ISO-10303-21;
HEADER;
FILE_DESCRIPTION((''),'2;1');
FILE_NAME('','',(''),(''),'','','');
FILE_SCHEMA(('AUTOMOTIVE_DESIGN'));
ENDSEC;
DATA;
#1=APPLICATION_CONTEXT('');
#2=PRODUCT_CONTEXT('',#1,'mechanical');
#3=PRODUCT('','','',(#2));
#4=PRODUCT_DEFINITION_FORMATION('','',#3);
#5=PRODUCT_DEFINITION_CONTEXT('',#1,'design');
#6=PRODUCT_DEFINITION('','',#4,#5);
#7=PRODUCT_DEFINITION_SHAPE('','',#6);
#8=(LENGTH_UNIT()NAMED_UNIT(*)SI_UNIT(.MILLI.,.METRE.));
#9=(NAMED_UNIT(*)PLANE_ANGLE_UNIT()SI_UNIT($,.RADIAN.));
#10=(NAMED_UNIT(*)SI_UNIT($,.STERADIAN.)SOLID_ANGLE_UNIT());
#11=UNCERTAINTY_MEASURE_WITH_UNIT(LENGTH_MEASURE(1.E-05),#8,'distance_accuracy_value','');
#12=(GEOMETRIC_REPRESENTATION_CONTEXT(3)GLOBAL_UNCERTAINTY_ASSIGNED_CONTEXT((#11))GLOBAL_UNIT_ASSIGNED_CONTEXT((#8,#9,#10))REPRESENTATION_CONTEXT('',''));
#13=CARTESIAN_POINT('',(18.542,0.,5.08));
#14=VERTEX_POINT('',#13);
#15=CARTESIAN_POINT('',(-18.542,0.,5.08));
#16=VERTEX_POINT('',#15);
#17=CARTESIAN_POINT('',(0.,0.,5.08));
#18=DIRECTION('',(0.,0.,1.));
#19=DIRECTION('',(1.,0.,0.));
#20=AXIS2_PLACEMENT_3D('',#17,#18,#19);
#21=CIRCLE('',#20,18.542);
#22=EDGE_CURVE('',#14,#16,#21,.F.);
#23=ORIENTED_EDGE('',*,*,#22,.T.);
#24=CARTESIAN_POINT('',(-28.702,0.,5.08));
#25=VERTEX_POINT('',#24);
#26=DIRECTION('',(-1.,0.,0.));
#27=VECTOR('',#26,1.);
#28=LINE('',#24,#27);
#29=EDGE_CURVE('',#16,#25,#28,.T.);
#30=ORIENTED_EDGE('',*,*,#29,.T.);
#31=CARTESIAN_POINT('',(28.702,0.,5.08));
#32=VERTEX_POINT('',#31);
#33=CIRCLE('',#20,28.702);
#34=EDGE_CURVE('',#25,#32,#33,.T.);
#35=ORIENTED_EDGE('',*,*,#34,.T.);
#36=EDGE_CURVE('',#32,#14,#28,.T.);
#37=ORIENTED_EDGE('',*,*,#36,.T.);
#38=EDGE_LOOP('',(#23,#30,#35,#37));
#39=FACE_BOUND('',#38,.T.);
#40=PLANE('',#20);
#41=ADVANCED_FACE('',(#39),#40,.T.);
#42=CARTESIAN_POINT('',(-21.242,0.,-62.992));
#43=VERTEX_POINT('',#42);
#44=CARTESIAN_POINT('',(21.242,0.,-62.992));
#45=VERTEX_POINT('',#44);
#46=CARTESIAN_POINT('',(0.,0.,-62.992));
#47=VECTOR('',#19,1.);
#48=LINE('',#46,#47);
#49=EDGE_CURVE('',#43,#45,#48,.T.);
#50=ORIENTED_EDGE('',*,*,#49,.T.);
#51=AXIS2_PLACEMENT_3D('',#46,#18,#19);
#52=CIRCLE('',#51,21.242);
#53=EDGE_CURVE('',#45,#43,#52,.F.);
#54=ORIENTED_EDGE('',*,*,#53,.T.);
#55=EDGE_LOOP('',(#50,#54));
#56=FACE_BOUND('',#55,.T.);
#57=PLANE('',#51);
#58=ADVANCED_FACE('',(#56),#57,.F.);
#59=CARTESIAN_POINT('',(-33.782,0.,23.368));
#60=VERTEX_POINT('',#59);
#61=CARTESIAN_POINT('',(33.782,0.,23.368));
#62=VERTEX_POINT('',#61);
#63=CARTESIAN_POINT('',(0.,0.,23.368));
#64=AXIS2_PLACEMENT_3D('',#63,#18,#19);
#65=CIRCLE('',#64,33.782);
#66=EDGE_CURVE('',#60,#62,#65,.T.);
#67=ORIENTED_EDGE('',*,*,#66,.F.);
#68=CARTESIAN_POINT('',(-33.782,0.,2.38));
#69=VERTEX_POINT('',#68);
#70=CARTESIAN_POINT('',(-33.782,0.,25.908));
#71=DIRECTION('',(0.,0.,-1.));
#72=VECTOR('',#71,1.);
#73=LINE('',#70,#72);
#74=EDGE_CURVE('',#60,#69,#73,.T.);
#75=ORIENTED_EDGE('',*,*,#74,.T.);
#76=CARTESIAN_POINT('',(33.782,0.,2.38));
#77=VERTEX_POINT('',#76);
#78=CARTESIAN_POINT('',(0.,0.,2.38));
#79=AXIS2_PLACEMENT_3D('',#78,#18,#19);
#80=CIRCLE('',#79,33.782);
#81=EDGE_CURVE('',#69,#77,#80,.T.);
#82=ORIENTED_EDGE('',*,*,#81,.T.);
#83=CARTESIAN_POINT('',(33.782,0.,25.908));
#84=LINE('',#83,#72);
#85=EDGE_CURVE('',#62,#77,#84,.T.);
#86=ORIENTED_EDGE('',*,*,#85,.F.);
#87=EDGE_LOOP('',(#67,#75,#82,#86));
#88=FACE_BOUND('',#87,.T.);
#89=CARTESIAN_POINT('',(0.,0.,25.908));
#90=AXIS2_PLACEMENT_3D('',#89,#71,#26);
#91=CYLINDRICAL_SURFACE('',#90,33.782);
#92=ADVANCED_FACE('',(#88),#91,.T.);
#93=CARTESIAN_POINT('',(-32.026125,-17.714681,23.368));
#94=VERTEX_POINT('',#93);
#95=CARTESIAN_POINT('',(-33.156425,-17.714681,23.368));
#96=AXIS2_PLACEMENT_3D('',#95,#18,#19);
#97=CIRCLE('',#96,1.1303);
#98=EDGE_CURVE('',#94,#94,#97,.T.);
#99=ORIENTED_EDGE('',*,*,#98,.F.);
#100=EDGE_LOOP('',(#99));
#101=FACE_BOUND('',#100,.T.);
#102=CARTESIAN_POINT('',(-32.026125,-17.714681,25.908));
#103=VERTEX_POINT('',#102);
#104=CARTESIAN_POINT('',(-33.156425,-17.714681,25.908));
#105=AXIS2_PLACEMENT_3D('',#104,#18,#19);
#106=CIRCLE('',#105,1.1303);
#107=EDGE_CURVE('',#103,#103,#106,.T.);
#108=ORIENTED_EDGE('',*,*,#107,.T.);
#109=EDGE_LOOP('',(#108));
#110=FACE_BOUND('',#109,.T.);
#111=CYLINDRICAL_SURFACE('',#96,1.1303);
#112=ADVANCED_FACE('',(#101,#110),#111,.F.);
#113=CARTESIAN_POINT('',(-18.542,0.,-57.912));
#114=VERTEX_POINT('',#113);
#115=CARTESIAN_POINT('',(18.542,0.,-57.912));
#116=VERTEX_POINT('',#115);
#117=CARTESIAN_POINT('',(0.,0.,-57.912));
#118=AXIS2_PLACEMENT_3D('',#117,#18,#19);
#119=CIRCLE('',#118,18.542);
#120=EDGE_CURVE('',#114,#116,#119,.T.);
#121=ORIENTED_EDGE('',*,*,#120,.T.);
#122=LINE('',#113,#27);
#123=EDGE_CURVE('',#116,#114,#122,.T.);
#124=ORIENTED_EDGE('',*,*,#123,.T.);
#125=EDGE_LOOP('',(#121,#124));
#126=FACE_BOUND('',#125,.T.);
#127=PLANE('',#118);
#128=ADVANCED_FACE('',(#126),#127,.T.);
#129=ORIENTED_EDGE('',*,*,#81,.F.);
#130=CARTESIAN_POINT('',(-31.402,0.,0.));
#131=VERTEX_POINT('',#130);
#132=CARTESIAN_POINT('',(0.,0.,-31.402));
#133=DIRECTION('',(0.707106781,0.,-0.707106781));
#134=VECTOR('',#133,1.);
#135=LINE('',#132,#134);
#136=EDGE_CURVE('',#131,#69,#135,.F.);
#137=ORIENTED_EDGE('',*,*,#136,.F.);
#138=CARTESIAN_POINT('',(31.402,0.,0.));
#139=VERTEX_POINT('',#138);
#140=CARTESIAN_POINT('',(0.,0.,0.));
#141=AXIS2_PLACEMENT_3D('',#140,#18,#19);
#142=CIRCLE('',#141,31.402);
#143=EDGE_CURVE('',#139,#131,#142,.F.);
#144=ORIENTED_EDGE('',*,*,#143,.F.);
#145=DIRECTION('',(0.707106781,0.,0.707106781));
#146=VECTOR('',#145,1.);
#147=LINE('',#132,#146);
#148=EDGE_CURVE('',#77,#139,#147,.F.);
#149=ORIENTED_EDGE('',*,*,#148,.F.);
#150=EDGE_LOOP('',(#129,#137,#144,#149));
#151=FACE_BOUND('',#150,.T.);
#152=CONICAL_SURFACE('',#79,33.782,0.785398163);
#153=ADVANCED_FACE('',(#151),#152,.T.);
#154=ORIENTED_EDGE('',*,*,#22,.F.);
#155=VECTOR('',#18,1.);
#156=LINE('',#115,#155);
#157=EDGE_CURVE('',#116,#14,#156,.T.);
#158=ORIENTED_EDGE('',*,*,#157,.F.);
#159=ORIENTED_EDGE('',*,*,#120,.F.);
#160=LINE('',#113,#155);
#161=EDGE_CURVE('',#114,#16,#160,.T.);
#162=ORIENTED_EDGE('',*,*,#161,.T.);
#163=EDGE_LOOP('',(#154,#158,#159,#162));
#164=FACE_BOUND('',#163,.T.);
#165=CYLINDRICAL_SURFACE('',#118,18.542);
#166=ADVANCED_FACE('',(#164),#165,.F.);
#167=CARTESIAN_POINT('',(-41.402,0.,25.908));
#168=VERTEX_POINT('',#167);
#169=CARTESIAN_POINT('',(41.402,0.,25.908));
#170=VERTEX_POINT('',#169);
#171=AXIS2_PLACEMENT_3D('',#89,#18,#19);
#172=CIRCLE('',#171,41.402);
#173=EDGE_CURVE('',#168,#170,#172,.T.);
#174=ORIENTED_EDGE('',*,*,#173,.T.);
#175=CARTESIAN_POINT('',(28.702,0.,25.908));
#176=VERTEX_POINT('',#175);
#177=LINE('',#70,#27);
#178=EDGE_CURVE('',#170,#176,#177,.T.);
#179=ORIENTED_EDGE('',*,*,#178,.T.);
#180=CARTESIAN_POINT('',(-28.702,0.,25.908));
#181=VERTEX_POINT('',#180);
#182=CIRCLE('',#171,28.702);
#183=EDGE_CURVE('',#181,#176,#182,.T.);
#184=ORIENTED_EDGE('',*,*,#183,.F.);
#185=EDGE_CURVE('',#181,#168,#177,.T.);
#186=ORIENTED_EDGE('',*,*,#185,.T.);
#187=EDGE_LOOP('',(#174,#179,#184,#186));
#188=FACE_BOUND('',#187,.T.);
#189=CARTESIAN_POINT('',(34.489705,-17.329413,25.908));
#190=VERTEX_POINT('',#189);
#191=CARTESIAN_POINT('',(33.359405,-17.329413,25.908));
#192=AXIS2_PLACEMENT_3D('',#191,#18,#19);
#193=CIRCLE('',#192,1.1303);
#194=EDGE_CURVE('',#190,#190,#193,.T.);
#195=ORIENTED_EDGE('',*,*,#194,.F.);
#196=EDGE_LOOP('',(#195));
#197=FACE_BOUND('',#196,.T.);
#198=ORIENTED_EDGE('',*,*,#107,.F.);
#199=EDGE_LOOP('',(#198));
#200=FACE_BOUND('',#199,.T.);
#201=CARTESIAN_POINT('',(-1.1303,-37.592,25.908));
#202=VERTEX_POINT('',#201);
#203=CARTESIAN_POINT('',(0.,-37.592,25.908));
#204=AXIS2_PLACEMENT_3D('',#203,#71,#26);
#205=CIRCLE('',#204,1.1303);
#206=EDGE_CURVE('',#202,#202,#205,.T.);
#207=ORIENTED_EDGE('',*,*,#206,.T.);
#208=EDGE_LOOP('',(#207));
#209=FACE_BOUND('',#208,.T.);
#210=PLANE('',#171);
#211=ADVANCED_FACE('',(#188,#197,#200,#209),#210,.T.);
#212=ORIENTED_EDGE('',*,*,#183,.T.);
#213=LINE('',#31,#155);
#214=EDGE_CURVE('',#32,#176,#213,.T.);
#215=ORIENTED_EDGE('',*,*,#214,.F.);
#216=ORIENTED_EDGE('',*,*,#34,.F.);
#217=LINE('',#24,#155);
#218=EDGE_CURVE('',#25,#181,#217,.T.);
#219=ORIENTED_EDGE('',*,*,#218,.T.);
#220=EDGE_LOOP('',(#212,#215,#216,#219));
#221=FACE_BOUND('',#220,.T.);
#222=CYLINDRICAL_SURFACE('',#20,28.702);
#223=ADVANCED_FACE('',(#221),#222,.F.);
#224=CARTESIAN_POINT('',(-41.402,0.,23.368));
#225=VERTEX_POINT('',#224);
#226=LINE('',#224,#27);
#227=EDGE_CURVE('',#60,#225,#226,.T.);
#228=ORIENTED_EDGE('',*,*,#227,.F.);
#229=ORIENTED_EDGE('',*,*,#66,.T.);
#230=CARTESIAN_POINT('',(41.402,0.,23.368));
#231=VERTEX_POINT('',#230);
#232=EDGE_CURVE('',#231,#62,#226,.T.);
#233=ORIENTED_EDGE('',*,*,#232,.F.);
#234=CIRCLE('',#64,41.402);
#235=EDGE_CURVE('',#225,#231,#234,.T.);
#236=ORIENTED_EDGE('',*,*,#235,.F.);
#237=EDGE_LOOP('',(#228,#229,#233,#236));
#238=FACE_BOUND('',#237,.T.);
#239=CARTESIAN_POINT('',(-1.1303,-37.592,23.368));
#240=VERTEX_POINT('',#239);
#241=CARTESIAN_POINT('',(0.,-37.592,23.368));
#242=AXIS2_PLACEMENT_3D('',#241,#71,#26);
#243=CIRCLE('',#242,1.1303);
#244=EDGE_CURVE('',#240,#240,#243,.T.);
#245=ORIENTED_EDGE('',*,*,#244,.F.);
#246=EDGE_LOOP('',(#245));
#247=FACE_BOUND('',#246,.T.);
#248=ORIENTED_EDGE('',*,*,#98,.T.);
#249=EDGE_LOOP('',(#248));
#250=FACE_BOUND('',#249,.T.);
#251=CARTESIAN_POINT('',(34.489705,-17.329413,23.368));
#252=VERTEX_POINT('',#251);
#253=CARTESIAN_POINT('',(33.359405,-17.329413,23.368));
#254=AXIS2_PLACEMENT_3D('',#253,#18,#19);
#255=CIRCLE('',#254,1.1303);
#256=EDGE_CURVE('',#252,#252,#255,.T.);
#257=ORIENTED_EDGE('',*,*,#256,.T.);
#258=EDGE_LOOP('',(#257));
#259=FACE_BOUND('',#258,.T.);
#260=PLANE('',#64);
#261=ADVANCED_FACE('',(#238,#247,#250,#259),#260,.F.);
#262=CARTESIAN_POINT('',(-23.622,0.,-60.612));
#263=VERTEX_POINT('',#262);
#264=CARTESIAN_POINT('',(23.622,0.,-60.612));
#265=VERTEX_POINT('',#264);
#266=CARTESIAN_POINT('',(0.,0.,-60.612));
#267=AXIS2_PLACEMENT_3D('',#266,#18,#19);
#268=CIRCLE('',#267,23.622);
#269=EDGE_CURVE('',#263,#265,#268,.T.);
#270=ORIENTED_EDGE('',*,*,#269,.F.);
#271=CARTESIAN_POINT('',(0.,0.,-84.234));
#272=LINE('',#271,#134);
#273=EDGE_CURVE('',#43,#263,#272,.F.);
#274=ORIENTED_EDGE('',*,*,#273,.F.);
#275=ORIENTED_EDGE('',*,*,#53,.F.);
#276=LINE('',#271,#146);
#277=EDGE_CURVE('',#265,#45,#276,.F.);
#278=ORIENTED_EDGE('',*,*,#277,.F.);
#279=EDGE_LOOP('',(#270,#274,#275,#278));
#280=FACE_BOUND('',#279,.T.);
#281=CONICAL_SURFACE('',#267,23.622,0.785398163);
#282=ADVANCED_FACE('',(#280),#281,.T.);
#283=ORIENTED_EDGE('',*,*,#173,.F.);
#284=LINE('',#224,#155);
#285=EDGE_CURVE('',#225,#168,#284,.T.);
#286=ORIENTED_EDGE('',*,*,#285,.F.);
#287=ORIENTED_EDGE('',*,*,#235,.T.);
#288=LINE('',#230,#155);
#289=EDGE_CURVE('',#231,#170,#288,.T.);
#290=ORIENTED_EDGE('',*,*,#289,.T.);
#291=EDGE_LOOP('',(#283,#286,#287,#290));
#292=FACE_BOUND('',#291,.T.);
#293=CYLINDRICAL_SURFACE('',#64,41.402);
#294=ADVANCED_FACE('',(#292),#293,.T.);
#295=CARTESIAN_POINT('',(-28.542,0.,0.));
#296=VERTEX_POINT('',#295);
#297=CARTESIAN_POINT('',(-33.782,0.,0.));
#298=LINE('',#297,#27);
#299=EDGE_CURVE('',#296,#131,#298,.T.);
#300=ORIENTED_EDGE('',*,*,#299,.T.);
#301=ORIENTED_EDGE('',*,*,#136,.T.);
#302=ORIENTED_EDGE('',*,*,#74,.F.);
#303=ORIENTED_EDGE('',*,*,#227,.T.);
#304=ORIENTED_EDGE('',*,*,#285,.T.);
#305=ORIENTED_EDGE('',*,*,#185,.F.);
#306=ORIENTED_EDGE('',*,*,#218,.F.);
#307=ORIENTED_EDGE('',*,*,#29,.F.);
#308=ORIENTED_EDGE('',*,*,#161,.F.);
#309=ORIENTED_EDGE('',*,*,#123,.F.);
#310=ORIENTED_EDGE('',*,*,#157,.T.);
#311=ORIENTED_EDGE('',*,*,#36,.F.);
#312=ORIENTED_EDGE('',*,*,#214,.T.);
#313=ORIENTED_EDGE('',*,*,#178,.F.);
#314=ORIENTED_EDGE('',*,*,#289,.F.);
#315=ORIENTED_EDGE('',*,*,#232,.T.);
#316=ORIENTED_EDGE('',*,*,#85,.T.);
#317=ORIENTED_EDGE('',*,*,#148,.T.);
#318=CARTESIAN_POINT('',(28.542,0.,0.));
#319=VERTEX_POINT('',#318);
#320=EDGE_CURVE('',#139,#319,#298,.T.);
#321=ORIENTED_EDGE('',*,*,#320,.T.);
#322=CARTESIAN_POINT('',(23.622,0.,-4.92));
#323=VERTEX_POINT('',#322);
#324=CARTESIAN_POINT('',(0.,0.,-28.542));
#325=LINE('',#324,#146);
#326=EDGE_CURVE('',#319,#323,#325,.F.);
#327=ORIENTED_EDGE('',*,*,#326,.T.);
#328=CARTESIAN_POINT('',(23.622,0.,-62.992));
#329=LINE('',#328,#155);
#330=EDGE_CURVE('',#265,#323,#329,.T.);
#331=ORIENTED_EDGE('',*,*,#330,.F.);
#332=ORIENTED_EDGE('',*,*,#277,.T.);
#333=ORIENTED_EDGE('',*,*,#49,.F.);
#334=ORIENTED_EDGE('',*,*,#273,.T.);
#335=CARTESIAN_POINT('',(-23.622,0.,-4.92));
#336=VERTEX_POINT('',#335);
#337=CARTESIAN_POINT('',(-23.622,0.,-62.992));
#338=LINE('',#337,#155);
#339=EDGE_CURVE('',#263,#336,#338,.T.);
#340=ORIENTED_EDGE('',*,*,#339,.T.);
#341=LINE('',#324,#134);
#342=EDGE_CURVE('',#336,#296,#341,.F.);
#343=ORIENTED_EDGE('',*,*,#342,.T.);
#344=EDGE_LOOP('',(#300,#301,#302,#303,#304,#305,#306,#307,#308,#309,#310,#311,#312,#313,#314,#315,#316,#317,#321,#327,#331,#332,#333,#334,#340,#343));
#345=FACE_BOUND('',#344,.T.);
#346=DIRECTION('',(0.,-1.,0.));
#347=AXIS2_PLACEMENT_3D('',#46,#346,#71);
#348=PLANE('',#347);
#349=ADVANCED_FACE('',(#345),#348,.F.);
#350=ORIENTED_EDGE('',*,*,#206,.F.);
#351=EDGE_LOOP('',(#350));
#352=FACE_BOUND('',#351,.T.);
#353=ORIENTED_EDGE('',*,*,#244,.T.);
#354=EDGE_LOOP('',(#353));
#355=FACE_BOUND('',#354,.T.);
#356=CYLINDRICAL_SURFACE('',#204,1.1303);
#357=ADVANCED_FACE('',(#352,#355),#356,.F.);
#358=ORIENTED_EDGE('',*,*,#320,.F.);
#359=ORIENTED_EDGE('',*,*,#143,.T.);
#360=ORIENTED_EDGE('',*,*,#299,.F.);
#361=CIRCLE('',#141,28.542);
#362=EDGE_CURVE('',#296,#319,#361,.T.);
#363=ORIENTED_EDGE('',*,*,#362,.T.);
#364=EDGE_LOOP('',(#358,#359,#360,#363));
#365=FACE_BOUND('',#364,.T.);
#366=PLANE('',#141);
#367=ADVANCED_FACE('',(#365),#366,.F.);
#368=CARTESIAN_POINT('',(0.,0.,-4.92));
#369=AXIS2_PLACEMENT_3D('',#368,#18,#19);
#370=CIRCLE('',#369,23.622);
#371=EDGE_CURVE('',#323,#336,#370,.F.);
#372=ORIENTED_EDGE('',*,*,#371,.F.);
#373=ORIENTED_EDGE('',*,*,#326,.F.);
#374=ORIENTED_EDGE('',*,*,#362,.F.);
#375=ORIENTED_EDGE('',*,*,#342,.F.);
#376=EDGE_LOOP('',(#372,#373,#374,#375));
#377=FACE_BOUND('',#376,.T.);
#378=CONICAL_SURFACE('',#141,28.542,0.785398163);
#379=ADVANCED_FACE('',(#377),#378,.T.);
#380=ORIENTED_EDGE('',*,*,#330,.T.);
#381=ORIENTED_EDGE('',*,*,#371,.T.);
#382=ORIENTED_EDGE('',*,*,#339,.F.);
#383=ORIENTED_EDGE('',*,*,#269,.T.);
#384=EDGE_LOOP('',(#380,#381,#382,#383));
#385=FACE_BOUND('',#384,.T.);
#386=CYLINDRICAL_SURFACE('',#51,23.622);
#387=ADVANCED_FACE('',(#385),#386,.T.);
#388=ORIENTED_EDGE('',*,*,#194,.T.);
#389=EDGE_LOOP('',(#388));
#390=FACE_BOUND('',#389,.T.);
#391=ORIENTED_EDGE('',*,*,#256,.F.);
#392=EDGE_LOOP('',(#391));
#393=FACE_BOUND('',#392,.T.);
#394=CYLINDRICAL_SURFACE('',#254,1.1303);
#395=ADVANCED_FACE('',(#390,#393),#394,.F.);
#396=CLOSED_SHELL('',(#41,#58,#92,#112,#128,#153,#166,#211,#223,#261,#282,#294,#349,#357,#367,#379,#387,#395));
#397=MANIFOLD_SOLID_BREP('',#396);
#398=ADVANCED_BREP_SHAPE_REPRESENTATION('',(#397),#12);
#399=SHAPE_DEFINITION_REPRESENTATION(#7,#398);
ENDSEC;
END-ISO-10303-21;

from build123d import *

# Parameters (mm, degrees)
BOSS_EXTRUDE1_DEPTH = 62.992
CUT_EXTRUDE1_DEPTH  = 57.912
BOSS_EXTRUDE2_DEPTH = 25.908
CUT_EXTRUDE2_DEPTH  = 25.908
CUT_EXTRUDE3_DEPTH  = 20.828
BOSS_EXTRUDE3_DEPTH = 2.54
CUT_EXTRUDE4_DEPTH  = 2.54
CHAMFER1_SIZE       = 4.92
CHAMFER3_SIZE       = 2.38
CHAMFER4_SIZE       = 2.38
SKETCH12_R          = 1.1303
CUT_EXTRUDE6_DEPTH  = 2.54
SKETCH16_R          = 1.1303
CUT_EXTRUDE7_DEPTH  = 2.54


with BuildPart() as part:
    # Sketch2 → Boss-Extrude1 (new body)
    with BuildSketch(Plane.XY):
        with BuildLine():
            Line((-23.622, 0), (23.622, 0))
            ThreePointArc((23.622, 0), (0, -23.622), (-23.622, 0))
        make_face()
    extrude(amount=-BOSS_EXTRUDE1_DEPTH)

    # Sketch3 → Cut-Extrude1 (cut)
    with BuildSketch(Plane.XY):
        with BuildLine():
            Line((-18.542, 0), (18.542, 0))
            ThreePointArc((18.542, 0), (0, -18.542), (-18.542, 0))
        make_face()
    extrude(amount=-CUT_EXTRUDE1_DEPTH, mode=Mode.SUBTRACT)

    # Sketch5 → Boss-Extrude2 (add)
    with BuildSketch(Plane.XY):
        with BuildLine():
            Line((-33.782, 0), (33.782, 0))
            ThreePointArc((33.782, 0), (0, -33.782), (-33.782, 0))
        make_face()
    extrude(amount=BOSS_EXTRUDE2_DEPTH)

    # Sketch6 → Cut-Extrude2 (cut)
    with BuildSketch(Plane.XY.offset(25.908)):
        with BuildLine():
            Line((-18.542, 0), (18.542, 0))
            ThreePointArc((18.542, 0), (0, -18.542), (-18.542, 0))
        make_face()
    extrude(amount=-CUT_EXTRUDE2_DEPTH, mode=Mode.SUBTRACT)

    # Sketch7 → Cut-Extrude3 (cut)
    with BuildSketch(Plane.XY.offset(25.908)):
        with BuildLine():
            Line((-28.702, 0), (28.702, 0))
            ThreePointArc((28.702, 0), (0, -28.702), (-28.702, 0))
        make_face()
    extrude(amount=-CUT_EXTRUDE3_DEPTH, mode=Mode.SUBTRACT)

    # Sketch9 → Boss-Extrude3 (add)
    with BuildSketch(Plane.XY.offset(25.908)):
        with BuildLine():
            Line((-41.402, 0), (41.402, 0))
            ThreePointArc((41.402, 0), (0, -41.402), (-41.402, 0))
        make_face()
    extrude(amount=-BOSS_EXTRUDE3_DEPTH)

    # Sketch10 → Cut-Extrude4 (cut)
    with BuildSketch(Plane.XY.offset(25.908)):
        with BuildLine():
            Line((-28.702, 0), (28.702, 0))
            ThreePointArc((28.702, 0), (0, -28.702), (-28.702, 0))
        make_face()
    extrude(amount=-CUT_EXTRUDE4_DEPTH, mode=Mode.SUBTRACT)

    # Chamfer1
    chamfer1_edges = [part.edges().sort_by_distance(p)[0] for p in [
        (0, -23.622, 0),
    ]]
    chamfer(chamfer1_edges, length=CHAMFER1_SIZE)

    # Chamfer3
    chamfer3_edges = [part.edges().sort_by_distance(p)[0] for p in [
        (0, -23.622, -62.992),
    ]]
    chamfer(chamfer3_edges, length=CHAMFER3_SIZE)

    # Chamfer4
    chamfer4_edges = [part.edges().sort_by_distance(p)[0] for p in [
        (0, -33.782, 0),
    ]]
    chamfer(chamfer4_edges, length=CHAMFER4_SIZE)

    # Sketch12 → Cut-Extrude6 (cut)
    with BuildSketch(Plane(origin=(0, 0, 23.368), x_dir=(-1, 0, 0), z_dir=(0, 0, -1))):
        with Locations((0, -37.592)):
            Circle(SKETCH12_R)
    extrude(amount=-CUT_EXTRUDE6_DEPTH, mode=Mode.SUBTRACT)

    # Sketch16 → Cut-Extrude7 (cut)
    with BuildSketch(Plane.XY.offset(25.908)):
        with Locations((-33.156425447, -17.714680792)):
            Circle(SKETCH16_R)
        with Locations((33.359405316, -17.329412596)):
            Circle(SKETCH16_R)
    extrude(amount=-CUT_EXTRUDE7_DEPTH, mode=Mode.SUBTRACT)


solid = part.part
